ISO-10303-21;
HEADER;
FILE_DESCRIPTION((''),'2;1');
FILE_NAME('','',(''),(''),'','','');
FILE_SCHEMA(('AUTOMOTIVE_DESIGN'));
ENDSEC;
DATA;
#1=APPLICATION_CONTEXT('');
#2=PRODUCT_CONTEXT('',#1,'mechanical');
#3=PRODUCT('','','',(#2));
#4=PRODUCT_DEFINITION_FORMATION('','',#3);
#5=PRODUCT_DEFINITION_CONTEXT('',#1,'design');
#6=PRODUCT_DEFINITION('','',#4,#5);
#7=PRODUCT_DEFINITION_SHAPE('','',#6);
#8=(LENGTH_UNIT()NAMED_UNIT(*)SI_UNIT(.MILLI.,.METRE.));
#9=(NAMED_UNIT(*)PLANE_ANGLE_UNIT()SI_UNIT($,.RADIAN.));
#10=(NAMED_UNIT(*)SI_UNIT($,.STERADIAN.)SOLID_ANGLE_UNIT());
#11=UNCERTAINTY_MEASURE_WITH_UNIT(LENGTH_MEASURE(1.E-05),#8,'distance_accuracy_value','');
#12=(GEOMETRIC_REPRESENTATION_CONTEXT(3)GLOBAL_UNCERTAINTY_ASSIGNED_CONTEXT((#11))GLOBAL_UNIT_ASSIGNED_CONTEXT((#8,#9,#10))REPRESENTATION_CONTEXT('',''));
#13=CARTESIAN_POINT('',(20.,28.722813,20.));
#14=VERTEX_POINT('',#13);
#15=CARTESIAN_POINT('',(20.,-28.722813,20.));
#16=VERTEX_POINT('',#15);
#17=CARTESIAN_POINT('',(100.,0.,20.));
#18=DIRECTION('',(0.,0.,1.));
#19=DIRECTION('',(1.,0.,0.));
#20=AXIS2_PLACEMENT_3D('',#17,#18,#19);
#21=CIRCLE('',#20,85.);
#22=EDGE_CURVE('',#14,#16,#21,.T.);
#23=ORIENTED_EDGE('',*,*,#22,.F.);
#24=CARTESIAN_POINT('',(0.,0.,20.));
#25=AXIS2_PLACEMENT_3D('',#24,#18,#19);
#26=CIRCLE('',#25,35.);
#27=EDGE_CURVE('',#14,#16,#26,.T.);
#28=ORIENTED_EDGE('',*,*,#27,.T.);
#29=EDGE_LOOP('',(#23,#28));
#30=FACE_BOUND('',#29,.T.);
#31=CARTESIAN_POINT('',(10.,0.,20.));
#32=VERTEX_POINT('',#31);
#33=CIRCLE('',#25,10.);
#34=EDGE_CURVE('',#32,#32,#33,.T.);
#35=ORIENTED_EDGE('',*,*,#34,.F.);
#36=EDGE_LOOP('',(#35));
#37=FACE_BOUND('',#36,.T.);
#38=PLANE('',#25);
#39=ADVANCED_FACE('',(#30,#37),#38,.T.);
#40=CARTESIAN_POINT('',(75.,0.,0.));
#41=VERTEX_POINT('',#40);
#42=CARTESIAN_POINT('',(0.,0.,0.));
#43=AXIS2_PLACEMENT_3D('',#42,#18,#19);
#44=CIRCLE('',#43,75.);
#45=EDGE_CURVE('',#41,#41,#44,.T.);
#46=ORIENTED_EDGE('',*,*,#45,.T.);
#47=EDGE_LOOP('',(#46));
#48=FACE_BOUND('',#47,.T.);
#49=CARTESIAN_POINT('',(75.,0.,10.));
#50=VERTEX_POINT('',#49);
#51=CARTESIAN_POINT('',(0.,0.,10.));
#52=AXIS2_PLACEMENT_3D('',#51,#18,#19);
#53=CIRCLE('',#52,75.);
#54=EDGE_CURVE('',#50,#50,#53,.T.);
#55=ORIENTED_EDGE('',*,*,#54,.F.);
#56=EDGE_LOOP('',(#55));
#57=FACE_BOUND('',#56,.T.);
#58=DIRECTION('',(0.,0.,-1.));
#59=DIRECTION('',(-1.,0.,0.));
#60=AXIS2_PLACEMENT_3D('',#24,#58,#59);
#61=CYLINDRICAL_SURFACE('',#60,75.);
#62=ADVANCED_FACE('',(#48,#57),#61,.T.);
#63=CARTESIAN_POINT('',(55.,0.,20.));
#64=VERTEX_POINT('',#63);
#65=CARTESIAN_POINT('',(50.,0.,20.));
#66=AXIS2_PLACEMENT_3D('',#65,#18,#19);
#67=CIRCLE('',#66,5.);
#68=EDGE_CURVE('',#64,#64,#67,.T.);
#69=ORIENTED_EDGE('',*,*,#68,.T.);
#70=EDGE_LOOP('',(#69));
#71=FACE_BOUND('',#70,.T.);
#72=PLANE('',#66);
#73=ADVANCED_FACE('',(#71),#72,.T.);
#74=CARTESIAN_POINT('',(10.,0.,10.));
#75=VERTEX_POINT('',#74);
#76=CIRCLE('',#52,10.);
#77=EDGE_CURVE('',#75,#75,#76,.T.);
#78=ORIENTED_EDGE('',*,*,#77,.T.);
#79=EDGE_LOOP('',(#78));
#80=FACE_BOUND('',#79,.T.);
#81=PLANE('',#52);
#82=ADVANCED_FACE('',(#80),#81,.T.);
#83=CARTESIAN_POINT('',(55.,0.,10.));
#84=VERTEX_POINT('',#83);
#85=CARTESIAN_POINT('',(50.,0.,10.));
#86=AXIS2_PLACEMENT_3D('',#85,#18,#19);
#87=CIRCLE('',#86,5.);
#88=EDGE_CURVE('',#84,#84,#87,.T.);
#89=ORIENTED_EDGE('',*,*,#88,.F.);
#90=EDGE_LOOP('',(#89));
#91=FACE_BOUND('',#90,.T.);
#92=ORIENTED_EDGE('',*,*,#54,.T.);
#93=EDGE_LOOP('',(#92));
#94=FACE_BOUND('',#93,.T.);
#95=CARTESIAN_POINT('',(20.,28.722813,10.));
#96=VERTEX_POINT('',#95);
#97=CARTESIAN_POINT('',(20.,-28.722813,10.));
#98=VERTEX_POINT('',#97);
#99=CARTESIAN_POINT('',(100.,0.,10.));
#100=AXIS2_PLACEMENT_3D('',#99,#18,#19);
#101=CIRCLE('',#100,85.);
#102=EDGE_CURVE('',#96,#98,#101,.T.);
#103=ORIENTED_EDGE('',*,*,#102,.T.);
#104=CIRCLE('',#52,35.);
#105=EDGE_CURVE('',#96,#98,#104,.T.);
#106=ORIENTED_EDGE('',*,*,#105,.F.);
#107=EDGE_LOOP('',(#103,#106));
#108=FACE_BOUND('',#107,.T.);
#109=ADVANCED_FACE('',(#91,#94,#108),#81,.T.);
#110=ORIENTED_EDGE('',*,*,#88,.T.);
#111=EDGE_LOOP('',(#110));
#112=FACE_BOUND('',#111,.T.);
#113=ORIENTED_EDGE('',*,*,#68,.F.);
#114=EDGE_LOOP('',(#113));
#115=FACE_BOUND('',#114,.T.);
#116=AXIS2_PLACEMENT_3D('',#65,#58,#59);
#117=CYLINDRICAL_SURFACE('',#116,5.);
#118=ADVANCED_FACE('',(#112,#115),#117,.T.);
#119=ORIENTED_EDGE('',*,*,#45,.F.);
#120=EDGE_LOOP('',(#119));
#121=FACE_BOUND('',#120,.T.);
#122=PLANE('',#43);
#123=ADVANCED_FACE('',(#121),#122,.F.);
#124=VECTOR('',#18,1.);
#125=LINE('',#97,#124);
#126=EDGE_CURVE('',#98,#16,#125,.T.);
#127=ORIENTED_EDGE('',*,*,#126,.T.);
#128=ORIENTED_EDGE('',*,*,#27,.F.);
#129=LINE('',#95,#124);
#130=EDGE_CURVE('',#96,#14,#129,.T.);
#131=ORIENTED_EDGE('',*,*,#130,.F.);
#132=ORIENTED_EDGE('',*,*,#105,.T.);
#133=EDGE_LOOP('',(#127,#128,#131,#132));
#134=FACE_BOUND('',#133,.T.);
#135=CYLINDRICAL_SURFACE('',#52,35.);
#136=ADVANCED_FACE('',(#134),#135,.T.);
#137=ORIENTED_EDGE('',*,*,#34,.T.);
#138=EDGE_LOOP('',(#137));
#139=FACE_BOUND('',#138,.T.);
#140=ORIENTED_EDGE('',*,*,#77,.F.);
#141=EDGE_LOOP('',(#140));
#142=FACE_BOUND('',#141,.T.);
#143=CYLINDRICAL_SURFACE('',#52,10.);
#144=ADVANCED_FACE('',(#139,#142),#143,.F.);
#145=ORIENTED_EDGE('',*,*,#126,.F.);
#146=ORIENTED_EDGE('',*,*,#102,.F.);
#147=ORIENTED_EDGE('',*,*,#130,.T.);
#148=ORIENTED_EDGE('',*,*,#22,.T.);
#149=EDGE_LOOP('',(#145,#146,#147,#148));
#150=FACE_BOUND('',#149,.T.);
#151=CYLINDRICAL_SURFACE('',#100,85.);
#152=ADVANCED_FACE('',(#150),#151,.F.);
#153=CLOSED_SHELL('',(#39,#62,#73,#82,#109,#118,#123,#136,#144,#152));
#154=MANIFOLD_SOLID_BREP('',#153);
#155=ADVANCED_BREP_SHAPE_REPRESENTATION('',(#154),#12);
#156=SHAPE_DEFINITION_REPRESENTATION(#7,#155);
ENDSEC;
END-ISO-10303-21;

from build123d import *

# Parameters (mm, degrees)
CROQUIS1_R              = 75
SALIENTE_EXTRUIR1_DEPTH = 20
CROQUIS2_R              = 10
CORTAR_EXTRUIR1_DEPTH   = 10
CORTAR_EXTRUIR2_START   = -10
CROQUIS3_R              = 75
CROQUIS3_R_2            = 35
CORTAR_EXTRUIR2_DEPTH   = 10
CROQUIS4_R              = 5
SALIENTE_EXTRUIR3_DEPTH = 10
CORTAR_EXTRUIR3_START   = -10
CORTAR_EXTRUIR3_DEPTH   = 10


with BuildPart() as part:
    # Croquis1 → Saliente-Extruir1 (new body)
    with BuildSketch(Plane.XY):
        Circle(CROQUIS1_R)
    extrude(amount=SALIENTE_EXTRUIR1_DEPTH)

    # Croquis2 → Cortar-Extruir1 (cut)
    with BuildSketch(Plane.XY.offset(20)):
        Circle(CROQUIS2_R)
    extrude(amount=-CORTAR_EXTRUIR1_DEPTH, mode=Mode.SUBTRACT)

    # Croquis3 → Cortar-Extruir2 (cut)
    with BuildSketch(Plane.XY.offset(20).offset(CORTAR_EXTRUIR2_START)):
        Circle(CROQUIS3_R)
        Circle(CROQUIS3_R_2, mode=Mode.SUBTRACT)
    extrude(amount=CORTAR_EXTRUIR2_DEPTH, mode=Mode.SUBTRACT)

    # Croquis4 → Saliente-Extruir3 (add)
    with BuildSketch(Plane.XY.offset(10)):
        with Locations((50, 0)):
            Circle(CROQUIS4_R)
    extrude(amount=SALIENTE_EXTRUIR3_DEPTH)

    # Croquis5 → Cortar-Extruir3 (cut)
    with BuildSketch(Plane.XY.offset(20).offset(CORTAR_EXTRUIR3_START)):
        with BuildLine():
            ThreePointArc((20, 28.722813233), (15, 0), (20, -28.722813233))
            ThreePointArc((20, -28.722813233), (35, 0), (20, 28.722813233))
        make_face()
    extrude(amount=CORTAR_EXTRUIR3_DEPTH, mode=Mode.SUBTRACT)


solid = part.part
